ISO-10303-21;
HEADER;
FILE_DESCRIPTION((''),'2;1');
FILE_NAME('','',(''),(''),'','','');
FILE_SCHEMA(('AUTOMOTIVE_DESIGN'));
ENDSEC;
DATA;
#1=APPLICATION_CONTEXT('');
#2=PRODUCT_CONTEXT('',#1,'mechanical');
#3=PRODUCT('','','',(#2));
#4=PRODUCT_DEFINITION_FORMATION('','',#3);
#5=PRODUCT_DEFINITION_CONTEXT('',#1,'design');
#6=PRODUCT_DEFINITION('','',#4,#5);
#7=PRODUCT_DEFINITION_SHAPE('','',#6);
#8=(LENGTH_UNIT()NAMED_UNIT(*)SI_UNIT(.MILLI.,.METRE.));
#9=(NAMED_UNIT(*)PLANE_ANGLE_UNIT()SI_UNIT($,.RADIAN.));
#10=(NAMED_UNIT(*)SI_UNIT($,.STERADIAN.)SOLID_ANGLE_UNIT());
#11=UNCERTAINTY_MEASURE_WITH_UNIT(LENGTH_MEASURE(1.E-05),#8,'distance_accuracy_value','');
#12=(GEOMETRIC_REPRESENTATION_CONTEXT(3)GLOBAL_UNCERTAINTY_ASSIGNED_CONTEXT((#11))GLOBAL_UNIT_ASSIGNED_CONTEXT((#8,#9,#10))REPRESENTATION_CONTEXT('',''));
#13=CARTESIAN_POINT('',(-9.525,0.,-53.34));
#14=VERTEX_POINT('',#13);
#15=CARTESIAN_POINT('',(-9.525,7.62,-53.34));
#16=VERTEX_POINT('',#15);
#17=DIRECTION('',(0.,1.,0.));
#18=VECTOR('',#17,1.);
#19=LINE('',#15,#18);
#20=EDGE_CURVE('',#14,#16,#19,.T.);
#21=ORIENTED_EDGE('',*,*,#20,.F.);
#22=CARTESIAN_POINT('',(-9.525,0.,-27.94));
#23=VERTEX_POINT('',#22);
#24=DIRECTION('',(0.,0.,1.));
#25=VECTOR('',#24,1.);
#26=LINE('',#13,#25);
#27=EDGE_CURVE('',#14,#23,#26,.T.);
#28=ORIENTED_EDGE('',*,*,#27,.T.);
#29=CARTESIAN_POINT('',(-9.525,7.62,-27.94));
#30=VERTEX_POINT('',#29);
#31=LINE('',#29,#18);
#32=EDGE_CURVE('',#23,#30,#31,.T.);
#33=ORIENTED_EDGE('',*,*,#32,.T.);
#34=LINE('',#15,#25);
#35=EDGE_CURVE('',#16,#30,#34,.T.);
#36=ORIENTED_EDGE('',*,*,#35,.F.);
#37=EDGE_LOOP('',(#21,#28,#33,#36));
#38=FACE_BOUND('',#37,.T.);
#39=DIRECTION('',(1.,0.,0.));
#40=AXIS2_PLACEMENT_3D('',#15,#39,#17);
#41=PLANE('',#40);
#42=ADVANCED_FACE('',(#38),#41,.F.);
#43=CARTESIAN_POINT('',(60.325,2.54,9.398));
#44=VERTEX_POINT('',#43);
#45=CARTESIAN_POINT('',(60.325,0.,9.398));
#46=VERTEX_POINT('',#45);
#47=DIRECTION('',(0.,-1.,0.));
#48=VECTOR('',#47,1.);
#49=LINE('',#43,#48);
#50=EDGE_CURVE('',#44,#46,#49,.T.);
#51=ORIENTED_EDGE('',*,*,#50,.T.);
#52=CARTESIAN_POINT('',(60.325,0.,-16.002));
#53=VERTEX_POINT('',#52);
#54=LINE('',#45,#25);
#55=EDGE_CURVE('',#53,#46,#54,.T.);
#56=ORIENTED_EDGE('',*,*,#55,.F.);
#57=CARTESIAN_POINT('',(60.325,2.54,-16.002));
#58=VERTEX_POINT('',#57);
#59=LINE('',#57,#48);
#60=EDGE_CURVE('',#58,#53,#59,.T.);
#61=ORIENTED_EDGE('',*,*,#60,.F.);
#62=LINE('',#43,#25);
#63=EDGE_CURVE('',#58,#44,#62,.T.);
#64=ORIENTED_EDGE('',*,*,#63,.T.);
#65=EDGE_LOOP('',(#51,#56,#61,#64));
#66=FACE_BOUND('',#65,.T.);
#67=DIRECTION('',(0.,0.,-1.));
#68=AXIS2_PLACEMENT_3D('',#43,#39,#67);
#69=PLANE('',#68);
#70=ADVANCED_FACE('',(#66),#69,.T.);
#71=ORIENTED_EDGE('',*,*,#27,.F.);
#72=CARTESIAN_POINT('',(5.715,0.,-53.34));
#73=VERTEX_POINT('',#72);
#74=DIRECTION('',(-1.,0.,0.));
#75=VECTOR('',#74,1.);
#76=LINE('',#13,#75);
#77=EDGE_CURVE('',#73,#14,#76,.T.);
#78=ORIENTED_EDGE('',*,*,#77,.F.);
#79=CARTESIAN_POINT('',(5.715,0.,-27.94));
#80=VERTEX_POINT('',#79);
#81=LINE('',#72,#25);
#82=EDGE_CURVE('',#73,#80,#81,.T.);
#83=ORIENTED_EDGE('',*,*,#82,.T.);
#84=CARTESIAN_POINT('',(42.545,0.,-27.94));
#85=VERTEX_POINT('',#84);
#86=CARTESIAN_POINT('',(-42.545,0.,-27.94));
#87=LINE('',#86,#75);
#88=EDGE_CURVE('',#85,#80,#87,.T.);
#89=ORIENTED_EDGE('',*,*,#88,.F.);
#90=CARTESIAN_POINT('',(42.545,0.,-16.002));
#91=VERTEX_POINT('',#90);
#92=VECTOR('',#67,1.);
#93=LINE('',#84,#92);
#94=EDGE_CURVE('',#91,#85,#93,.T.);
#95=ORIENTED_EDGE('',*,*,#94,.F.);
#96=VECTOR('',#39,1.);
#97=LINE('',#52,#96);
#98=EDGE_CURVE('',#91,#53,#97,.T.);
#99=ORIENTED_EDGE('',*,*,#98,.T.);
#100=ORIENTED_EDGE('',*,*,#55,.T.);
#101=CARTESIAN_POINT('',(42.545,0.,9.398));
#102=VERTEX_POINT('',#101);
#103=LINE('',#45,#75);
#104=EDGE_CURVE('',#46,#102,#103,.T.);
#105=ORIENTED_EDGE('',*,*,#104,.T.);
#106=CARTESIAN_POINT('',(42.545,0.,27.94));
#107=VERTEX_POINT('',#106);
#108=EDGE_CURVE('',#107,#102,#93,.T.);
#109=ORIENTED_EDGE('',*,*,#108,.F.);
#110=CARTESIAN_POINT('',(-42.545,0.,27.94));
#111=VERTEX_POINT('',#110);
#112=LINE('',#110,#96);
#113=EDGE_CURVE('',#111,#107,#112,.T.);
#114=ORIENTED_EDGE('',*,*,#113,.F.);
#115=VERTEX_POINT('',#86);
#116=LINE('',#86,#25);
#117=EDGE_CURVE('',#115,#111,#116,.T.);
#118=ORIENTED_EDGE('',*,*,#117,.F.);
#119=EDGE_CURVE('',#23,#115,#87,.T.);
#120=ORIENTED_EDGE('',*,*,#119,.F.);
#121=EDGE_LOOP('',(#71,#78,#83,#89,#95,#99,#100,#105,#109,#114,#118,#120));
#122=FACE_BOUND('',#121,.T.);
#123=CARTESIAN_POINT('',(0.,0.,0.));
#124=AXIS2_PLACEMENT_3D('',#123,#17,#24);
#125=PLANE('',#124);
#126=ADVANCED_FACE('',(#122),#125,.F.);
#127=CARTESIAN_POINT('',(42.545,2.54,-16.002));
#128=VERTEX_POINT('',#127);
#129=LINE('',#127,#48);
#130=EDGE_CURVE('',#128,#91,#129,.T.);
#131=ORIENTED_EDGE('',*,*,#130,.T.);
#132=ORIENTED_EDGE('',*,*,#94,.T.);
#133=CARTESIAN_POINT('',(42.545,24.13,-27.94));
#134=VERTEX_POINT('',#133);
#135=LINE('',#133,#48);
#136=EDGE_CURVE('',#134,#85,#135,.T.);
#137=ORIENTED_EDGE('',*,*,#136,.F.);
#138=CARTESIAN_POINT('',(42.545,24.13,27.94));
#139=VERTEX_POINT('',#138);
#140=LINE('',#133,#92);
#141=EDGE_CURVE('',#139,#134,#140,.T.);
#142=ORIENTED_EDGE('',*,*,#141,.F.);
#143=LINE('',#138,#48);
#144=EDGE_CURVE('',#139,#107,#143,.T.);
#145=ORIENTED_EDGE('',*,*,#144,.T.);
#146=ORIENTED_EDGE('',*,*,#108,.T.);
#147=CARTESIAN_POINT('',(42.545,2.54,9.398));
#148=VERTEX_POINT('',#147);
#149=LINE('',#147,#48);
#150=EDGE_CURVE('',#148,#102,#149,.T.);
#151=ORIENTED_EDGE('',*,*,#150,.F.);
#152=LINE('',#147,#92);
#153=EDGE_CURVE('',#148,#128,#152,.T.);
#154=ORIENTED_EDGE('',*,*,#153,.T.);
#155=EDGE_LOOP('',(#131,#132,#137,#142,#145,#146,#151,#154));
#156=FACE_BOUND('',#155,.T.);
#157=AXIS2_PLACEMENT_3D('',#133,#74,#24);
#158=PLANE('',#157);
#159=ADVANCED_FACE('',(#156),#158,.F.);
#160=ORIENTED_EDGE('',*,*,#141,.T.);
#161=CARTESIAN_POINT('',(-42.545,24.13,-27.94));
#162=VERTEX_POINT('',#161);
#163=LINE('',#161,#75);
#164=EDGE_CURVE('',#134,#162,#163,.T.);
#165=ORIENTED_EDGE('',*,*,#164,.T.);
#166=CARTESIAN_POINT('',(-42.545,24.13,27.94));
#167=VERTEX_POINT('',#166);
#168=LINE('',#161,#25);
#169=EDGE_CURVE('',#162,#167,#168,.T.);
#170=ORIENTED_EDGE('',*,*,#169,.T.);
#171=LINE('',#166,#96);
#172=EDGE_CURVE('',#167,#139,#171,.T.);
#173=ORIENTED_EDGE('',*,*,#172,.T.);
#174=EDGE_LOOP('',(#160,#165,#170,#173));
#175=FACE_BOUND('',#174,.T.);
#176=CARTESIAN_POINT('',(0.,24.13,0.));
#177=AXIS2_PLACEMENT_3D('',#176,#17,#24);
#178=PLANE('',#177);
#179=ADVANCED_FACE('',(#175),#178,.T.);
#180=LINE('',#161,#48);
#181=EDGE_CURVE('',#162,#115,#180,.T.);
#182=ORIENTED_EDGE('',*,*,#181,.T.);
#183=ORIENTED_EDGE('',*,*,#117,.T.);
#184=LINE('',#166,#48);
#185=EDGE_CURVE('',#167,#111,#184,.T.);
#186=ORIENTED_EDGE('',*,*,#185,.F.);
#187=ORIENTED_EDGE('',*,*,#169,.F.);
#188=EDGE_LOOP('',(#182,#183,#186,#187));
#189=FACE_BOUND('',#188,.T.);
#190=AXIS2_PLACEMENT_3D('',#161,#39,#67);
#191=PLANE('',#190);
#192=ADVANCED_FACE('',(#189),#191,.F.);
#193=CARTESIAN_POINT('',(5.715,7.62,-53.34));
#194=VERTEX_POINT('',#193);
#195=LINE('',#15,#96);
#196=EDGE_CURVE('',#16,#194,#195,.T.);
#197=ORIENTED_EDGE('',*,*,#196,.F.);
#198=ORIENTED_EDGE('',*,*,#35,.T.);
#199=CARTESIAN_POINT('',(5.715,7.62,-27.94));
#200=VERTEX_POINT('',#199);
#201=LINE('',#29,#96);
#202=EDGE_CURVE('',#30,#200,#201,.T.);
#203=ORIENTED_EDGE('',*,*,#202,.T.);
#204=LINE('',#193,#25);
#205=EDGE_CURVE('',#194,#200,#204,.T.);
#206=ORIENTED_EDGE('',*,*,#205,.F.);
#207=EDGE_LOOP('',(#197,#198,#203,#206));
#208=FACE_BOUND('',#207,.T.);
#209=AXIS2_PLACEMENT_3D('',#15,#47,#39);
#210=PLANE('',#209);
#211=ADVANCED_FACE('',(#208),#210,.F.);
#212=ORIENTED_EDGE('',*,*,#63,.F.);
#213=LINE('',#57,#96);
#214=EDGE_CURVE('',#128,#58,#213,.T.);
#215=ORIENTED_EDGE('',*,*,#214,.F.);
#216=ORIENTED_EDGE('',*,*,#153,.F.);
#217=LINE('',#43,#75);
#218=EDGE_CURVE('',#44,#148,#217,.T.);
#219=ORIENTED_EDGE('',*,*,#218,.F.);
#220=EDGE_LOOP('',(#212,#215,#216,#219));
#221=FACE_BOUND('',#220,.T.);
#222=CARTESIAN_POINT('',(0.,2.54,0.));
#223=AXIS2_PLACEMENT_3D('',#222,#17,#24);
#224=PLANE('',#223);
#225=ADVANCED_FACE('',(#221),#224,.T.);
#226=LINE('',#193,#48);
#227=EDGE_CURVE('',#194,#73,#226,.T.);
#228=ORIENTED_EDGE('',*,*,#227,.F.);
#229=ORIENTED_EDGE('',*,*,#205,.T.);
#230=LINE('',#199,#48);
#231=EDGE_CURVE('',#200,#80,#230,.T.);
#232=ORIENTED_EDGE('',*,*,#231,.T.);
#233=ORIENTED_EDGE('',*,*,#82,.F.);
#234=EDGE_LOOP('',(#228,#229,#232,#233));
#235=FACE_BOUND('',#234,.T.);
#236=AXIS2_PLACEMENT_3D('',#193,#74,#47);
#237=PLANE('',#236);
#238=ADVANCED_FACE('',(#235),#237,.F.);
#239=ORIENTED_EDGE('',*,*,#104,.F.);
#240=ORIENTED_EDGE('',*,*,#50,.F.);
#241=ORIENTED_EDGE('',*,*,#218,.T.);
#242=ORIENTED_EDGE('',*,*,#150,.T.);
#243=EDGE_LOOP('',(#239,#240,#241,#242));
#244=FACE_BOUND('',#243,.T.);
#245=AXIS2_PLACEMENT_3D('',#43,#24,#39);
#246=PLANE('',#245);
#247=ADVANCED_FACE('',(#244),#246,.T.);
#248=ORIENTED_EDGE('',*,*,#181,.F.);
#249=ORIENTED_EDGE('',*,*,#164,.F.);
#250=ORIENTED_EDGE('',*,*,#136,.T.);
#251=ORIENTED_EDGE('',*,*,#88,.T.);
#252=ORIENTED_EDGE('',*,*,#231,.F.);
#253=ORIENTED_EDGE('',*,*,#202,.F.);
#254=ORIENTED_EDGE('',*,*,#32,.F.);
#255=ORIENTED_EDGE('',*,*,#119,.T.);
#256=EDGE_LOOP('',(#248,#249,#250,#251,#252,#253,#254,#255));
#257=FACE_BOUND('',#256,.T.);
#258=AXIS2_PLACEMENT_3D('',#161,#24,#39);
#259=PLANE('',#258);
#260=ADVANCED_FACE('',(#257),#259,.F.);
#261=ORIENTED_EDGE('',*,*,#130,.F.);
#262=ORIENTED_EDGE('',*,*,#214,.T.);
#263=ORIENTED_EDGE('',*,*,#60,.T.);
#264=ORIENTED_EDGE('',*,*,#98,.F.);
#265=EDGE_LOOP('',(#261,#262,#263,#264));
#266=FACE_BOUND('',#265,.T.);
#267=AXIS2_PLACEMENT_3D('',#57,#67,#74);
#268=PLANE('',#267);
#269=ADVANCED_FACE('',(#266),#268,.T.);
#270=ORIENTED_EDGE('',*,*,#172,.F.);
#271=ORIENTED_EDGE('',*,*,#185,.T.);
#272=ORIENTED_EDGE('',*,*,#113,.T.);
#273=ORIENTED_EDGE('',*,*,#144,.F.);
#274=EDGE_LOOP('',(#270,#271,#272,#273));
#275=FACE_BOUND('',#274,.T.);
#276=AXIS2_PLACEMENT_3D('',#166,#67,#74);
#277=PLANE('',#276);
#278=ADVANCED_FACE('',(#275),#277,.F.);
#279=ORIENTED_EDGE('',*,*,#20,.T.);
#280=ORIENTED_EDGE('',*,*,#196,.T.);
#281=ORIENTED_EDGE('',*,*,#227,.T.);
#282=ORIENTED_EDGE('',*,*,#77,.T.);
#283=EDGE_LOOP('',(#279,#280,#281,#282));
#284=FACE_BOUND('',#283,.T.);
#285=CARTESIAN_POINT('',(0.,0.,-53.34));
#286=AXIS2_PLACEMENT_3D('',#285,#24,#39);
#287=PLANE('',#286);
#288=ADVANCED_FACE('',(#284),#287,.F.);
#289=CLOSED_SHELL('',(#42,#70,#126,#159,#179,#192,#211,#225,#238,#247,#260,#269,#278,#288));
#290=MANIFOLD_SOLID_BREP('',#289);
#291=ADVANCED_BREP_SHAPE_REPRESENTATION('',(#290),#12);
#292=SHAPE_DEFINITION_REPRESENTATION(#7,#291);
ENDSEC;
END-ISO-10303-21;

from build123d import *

# Parameters (mm, degrees)
SKETCH1_W           = 85.09
SKETCH1_H           = 55.88
BOSS_EXTRUDE1_DEPTH = 24.13
SKETCH2_W           = 17.78
SKETCH2_H           = 25.4
BOSS_EXTRUDE2_DEPTH = 2.54
SKETCH3_W           = 15.24
SKETCH3_H           = 7.62
BOSS_EXTRUDE3_DEPTH = 25.4


with BuildPart() as part:
    # Sketch1 → Boss-Extrude1 (new body)
    with BuildSketch(Plane(origin=(0, 0, 0), x_dir=(1, 0, 0), z_dir=(0, 1, 0))):
        Rectangle(SKETCH1_W, SKETCH1_H)
    extrude(amount=BOSS_EXTRUDE1_DEPTH)

    # Sketch2 → Boss-Extrude2 (add)
    with BuildSketch(Plane.XZ):
        with Locations((51.435, -3.302)):
            Rectangle(SKETCH2_W, SKETCH2_H)
    extrude(amount=-BOSS_EXTRUDE2_DEPTH)

    # Sketch3 → Boss-Extrude3 (add)
    with BuildSketch(Plane(origin=(0, 0, -27.94), x_dir=(-1, 0, 0), z_dir=(0, 0, -1))):
        with Locations((1.905, 3.81)):
            Rectangle(SKETCH3_W, SKETCH3_H)
    extrude(amount=BOSS_EXTRUDE3_DEPTH)


solid = part.part
